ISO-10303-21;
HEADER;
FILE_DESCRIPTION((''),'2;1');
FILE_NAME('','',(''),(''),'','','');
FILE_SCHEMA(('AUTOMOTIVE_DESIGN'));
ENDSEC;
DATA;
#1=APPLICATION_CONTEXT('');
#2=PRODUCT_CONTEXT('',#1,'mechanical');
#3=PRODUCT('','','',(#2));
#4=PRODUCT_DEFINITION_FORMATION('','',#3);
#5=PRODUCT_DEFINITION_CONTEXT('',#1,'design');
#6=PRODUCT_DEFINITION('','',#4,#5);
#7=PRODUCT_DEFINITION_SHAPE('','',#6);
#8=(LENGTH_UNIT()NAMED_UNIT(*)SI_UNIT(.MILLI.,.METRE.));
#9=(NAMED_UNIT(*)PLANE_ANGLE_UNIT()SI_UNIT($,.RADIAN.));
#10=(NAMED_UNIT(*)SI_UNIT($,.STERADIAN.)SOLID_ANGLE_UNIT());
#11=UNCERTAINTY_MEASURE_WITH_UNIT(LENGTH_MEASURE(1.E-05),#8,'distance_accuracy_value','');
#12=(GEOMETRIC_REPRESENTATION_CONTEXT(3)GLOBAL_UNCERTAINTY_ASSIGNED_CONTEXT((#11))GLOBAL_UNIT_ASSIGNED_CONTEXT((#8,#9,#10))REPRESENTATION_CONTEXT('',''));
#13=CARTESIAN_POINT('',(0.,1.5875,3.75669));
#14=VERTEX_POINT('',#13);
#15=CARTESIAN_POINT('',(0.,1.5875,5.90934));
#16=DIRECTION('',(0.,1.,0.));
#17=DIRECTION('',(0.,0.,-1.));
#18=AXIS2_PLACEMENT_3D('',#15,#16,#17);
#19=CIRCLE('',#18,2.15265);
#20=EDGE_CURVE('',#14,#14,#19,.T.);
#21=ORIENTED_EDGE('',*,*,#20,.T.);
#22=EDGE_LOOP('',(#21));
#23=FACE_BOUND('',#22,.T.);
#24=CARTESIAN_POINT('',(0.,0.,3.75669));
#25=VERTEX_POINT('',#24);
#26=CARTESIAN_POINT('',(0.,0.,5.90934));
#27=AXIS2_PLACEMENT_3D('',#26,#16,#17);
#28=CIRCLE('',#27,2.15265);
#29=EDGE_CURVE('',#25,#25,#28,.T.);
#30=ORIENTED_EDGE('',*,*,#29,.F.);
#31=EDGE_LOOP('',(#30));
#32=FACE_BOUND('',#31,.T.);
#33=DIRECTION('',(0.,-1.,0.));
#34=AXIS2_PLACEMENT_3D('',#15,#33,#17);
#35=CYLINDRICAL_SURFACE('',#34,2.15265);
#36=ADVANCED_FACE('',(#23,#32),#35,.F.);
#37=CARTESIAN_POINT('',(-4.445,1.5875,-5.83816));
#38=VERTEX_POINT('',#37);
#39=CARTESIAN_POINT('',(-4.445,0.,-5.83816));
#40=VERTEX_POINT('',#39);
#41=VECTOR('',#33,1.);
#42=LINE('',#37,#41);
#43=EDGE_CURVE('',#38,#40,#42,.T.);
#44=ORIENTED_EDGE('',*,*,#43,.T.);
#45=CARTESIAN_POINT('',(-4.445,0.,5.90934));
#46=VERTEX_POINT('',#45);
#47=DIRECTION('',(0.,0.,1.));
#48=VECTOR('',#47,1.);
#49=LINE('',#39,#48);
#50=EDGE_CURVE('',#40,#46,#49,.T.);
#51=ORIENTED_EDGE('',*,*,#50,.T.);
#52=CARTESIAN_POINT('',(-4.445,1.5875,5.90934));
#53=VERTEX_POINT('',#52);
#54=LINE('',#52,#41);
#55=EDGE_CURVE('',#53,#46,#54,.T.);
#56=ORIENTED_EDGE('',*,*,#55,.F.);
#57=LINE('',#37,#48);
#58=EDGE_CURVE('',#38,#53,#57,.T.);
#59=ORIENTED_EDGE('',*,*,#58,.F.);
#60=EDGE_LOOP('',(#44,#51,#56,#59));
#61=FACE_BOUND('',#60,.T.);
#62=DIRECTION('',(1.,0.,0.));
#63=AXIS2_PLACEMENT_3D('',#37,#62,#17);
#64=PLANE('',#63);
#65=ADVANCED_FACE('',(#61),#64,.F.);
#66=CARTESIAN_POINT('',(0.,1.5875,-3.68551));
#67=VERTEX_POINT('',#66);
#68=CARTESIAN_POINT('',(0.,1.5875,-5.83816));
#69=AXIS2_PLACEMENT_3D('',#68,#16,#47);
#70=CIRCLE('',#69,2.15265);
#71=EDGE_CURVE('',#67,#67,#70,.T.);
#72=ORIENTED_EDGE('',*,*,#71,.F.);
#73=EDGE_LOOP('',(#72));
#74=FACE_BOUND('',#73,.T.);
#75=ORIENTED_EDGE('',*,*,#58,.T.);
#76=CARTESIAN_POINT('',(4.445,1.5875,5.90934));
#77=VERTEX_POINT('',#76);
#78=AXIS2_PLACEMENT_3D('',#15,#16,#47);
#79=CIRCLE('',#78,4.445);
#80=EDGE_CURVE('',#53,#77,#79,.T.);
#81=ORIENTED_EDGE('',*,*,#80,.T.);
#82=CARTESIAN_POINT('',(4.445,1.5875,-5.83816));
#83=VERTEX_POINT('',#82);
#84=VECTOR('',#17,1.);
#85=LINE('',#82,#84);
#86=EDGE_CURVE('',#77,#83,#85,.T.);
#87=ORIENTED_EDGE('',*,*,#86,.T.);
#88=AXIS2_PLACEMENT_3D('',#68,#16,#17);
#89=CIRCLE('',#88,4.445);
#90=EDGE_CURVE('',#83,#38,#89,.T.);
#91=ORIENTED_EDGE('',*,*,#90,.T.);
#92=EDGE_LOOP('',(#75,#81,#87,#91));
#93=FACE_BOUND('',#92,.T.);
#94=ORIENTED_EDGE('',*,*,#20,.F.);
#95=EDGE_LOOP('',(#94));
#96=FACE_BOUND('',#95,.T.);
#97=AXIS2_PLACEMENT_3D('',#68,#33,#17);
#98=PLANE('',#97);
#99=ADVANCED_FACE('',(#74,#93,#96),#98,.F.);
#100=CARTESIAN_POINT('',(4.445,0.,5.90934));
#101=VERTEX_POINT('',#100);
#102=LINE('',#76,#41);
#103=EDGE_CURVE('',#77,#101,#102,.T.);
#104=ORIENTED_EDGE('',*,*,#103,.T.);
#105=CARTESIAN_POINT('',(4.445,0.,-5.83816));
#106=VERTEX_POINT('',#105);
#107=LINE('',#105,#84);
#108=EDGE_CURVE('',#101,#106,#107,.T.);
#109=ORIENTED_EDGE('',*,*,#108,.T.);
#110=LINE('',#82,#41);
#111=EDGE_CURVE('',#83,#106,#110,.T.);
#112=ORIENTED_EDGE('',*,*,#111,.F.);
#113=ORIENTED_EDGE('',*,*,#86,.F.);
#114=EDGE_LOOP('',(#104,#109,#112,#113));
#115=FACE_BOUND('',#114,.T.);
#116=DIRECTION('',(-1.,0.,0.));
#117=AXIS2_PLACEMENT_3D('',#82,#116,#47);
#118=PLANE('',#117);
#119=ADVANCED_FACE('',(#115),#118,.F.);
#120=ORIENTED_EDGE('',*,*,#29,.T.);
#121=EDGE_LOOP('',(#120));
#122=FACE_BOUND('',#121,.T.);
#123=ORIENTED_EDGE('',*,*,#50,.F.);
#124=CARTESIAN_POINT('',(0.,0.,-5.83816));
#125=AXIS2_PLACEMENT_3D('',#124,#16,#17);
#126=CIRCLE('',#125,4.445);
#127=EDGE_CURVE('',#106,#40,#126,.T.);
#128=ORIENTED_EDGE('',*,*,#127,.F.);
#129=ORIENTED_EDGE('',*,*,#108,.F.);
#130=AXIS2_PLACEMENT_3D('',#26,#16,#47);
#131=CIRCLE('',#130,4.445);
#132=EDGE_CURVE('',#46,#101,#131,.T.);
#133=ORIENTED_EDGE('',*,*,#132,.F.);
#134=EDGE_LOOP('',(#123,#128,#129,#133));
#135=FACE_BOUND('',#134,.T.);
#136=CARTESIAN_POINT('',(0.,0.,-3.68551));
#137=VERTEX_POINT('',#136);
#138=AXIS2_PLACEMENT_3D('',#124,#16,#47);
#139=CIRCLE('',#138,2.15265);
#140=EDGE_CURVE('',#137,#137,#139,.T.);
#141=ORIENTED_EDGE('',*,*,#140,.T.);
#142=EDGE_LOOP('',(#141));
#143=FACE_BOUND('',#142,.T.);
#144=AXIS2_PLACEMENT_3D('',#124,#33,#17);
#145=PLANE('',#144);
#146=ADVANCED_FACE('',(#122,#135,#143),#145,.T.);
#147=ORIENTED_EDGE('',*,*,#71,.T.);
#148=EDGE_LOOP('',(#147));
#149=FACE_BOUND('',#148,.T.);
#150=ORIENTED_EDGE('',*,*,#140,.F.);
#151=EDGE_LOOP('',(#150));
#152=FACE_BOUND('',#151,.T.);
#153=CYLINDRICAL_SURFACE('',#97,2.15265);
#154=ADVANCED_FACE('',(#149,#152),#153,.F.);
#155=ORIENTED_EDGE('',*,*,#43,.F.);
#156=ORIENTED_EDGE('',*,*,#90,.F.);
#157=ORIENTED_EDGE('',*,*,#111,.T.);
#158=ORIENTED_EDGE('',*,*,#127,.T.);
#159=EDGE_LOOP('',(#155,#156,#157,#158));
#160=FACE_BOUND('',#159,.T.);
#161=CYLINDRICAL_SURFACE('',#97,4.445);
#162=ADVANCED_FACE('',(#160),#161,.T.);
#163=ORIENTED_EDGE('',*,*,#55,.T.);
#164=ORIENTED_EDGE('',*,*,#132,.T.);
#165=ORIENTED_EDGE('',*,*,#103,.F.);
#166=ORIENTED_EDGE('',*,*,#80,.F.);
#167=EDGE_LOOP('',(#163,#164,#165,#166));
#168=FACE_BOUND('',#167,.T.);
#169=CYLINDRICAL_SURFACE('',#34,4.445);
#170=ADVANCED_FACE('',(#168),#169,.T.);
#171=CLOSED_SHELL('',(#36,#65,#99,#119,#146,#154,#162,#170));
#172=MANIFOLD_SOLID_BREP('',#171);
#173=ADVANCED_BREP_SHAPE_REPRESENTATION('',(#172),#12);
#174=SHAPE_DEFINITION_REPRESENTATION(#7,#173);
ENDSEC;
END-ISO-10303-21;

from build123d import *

# Parameters (mm, degrees)
SKETCH1_R           = 2.15265
BOSS_EXTRUDE1_DEPTH = 1.5875


with BuildPart() as part:
    # Sketch1 → Boss-Extrude1 (new body)
    with BuildSketch(Plane(origin=(0, 0, 0), x_dir=(1, 0, 0), z_dir=(0, 1, 0))):
        with BuildLine():
            Line((-4.445, 5.838159721), (-4.445, -5.909340279))
            ThreePointArc((-4.445, -5.909340279), (0, -10.354340279), (4.445, -5.909340279))
            Line((4.445, -5.909340279), (4.445, 5.838159721))
            ThreePointArc((4.445, 5.838159721), (0, 10.283159721), (-4.445, 5.838159721))
        make_face()
        with Locations((0, 5.838159721)):
            Circle(SKETCH1_R, mode=Mode.SUBTRACT)
        with Locations((0, -5.909340279)):
            Circle(SKETCH1_R, mode=Mode.SUBTRACT)
    extrude(amount=BOSS_EXTRUDE1_DEPTH)


solid = part.part
